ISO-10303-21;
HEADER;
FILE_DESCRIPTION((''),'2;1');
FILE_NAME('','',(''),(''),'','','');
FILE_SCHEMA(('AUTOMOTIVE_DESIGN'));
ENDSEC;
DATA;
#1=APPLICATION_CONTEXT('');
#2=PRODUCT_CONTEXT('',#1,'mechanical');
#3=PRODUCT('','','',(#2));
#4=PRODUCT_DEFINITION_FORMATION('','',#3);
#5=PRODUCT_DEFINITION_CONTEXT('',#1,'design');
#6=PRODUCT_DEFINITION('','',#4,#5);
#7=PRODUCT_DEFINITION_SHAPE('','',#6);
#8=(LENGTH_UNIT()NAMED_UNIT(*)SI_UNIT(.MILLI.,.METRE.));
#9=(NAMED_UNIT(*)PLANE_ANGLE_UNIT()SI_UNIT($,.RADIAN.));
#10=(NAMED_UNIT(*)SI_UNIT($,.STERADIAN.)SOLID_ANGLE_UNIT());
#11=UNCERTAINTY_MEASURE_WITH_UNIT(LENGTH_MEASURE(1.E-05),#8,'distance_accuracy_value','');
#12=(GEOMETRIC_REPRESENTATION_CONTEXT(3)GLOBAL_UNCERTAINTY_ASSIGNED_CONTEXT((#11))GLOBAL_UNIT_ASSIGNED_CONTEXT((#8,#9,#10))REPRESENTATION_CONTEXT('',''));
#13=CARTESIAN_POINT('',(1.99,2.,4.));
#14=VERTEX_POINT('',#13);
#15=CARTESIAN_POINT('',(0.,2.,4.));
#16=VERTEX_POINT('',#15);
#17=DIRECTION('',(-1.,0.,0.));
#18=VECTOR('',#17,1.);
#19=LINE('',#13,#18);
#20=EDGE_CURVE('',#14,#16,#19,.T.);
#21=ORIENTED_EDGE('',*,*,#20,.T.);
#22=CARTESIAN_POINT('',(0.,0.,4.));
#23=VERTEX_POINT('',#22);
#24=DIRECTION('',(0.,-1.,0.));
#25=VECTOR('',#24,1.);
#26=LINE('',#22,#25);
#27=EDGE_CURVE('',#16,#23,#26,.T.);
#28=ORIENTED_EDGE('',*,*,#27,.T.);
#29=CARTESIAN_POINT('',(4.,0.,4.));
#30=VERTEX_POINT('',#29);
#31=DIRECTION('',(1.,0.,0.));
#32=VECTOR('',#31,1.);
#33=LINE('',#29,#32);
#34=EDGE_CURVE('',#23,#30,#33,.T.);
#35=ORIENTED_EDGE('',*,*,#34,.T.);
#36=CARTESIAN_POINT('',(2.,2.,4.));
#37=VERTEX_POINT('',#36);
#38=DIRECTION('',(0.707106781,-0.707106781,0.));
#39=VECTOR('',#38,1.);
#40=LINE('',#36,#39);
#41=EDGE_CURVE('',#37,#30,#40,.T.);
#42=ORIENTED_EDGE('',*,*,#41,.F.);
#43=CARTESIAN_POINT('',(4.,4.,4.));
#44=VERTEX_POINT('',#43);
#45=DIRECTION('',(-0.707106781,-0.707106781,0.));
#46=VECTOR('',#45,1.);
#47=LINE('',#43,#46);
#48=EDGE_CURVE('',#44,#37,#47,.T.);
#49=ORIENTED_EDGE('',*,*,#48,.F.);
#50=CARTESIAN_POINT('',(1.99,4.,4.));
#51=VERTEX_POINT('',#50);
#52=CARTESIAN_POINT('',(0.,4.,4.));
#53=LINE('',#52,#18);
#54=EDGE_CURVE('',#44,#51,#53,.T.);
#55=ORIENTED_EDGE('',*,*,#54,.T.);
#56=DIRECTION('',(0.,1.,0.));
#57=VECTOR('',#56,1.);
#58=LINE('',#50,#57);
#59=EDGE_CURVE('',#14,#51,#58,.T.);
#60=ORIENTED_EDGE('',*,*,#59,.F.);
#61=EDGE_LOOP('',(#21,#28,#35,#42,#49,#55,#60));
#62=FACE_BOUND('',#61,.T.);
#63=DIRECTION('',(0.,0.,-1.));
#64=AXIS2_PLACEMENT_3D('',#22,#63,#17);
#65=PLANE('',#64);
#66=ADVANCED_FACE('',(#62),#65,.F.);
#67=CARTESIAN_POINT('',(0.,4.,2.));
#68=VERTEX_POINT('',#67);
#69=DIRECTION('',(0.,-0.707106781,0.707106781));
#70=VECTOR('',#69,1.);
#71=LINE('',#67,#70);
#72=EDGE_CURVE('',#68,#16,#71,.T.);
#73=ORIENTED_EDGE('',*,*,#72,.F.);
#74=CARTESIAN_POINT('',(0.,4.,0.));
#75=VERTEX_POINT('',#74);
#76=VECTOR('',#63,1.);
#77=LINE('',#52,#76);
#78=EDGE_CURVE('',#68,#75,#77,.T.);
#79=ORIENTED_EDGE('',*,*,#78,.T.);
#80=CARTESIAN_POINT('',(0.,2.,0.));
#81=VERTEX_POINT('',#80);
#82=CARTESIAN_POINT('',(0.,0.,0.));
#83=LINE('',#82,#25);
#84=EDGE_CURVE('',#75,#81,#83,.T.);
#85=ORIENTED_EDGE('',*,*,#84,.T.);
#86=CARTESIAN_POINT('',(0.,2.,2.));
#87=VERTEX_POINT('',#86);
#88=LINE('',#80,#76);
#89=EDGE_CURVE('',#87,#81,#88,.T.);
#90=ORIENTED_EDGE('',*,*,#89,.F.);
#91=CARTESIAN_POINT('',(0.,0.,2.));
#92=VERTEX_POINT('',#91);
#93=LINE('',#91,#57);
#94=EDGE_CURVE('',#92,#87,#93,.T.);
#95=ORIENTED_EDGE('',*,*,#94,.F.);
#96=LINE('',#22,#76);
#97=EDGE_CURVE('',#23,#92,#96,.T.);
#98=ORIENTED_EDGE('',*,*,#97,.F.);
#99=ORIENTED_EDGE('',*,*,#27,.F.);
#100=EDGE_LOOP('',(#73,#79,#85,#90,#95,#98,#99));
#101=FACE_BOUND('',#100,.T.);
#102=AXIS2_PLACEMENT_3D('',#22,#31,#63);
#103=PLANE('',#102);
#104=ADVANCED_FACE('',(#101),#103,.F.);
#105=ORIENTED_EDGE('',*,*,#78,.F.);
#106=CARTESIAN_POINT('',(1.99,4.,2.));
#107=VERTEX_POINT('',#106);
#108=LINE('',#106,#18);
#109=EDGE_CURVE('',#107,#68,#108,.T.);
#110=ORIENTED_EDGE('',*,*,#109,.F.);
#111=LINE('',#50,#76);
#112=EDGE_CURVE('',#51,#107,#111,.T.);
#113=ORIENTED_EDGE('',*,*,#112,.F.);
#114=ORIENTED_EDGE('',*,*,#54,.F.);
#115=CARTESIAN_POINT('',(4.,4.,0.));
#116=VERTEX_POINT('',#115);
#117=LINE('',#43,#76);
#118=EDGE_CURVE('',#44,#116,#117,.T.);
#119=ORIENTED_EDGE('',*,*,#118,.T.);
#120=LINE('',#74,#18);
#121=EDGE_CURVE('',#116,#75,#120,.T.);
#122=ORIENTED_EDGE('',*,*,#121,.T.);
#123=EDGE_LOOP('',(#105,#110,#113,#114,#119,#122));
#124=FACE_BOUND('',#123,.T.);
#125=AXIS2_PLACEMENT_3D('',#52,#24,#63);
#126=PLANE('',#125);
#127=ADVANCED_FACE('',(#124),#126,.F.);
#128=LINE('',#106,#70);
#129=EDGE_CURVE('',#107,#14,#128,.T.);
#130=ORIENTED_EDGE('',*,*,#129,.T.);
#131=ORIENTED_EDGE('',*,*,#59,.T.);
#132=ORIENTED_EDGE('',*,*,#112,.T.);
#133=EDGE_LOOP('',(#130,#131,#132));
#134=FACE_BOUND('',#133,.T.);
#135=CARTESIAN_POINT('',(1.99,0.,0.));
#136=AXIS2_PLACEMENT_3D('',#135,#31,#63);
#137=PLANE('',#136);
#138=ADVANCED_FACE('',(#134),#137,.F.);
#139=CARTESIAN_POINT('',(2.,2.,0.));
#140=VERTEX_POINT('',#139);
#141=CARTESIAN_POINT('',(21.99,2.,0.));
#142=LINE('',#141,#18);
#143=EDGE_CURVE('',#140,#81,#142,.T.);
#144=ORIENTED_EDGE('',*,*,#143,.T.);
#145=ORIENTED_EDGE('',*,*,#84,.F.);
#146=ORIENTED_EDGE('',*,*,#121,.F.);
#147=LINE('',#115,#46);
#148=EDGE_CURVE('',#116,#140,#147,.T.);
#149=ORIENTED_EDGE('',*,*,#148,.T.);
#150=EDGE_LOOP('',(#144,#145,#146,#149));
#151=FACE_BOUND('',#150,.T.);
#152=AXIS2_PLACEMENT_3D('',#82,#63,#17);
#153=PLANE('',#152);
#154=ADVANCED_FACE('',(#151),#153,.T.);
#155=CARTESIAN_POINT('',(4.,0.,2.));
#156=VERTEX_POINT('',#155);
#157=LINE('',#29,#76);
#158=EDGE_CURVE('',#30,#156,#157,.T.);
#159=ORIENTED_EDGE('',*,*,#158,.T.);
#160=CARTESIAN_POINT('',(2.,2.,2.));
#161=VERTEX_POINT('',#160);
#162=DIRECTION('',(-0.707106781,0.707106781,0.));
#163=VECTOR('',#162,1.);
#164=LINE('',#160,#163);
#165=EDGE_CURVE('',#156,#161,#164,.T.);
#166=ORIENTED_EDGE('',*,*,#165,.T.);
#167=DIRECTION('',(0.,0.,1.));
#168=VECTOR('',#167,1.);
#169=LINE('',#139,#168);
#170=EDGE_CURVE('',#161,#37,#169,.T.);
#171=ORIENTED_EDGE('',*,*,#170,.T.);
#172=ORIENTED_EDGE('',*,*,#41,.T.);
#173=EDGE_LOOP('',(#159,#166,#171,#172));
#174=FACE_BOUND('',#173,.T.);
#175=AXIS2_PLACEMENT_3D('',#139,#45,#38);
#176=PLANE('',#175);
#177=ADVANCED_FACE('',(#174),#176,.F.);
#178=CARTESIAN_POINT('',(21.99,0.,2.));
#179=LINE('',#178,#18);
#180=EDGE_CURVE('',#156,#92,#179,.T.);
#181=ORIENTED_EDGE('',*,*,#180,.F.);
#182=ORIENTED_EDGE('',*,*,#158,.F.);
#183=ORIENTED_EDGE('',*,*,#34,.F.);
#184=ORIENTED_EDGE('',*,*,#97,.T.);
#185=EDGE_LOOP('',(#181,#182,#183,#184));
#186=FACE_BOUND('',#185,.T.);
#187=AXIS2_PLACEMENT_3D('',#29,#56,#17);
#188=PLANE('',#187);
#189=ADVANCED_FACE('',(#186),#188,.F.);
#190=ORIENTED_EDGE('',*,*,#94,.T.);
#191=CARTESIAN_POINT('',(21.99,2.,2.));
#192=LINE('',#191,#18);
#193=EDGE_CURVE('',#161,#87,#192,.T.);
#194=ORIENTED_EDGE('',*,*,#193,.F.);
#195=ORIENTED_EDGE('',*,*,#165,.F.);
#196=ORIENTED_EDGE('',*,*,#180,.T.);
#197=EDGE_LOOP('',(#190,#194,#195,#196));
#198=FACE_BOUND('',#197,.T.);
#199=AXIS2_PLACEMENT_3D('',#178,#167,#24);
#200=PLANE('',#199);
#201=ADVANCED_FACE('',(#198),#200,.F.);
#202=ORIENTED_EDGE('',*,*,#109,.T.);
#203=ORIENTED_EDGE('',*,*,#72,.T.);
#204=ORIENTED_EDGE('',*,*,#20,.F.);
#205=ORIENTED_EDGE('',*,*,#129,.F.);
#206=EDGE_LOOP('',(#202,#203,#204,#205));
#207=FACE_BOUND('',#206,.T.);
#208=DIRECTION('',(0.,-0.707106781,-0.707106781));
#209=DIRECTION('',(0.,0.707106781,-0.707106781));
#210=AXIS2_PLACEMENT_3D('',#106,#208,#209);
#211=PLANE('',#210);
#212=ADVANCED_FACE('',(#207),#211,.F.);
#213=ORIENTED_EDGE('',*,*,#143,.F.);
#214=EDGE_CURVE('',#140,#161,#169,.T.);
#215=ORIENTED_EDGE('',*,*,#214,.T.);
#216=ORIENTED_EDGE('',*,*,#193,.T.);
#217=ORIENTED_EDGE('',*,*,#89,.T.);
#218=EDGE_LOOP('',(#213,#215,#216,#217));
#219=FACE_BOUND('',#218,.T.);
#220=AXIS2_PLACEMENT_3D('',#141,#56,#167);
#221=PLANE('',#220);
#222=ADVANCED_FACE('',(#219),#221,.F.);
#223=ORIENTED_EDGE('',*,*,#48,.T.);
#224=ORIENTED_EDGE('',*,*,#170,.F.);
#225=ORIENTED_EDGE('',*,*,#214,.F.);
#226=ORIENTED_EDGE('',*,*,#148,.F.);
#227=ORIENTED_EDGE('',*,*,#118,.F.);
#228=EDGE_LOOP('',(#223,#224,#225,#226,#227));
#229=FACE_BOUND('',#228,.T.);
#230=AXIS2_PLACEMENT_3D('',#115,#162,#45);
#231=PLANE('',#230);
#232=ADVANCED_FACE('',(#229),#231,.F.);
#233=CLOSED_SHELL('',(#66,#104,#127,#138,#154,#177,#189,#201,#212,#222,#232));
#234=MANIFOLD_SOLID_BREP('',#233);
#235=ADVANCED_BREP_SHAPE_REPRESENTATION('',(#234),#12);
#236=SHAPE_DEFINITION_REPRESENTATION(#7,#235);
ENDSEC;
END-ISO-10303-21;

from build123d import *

# Parameters (mm, degrees)
SKETCH1_W           = 4
SKETCH1_H           = 4
BOSS_EXTRUDE1_DEPTH = 4
CUT_EXTRUDE1_DEPTH  = 4
CUT_EXTRUDE7_DEPTH  = 1.99
SKETCH6_W           = 2
SKETCH6_H           = 2
CUT_EXTRUDE8_DEPTH  = 21.99


with BuildPart() as part:
    # Sketch1 → Boss-Extrude1 (new body)
    with BuildSketch(Plane.XY):
        with Locations((2, 2)):
            Rectangle(SKETCH1_W, SKETCH1_H)
    extrude(amount=BOSS_EXTRUDE1_DEPTH)

    # Sketch2 → Cut-Extrude1 (cut)
    with BuildSketch(Plane.XY.offset(4)):
        Polygon((4, 4), (2, 2), (4, 0), align=None)
    extrude(amount=-CUT_EXTRUDE1_DEPTH, mode=Mode.SUBTRACT)

    # Sketch5 → Cut-Extrude7 (cut)
    with BuildSketch(Plane.ZY):
        Polygon((2, 4), (4, 2), (4, 4), align=None)
    extrude(amount=-CUT_EXTRUDE7_DEPTH, mode=Mode.SUBTRACT)

    # Sketch6 → Cut-Extrude8 (cut)
    with BuildSketch(Plane.ZY):
        with Locations((1, 1)):
            Rectangle(SKETCH6_W, SKETCH6_H)
    extrude(amount=-CUT_EXTRUDE8_DEPTH, mode=Mode.SUBTRACT)


solid = part.part
